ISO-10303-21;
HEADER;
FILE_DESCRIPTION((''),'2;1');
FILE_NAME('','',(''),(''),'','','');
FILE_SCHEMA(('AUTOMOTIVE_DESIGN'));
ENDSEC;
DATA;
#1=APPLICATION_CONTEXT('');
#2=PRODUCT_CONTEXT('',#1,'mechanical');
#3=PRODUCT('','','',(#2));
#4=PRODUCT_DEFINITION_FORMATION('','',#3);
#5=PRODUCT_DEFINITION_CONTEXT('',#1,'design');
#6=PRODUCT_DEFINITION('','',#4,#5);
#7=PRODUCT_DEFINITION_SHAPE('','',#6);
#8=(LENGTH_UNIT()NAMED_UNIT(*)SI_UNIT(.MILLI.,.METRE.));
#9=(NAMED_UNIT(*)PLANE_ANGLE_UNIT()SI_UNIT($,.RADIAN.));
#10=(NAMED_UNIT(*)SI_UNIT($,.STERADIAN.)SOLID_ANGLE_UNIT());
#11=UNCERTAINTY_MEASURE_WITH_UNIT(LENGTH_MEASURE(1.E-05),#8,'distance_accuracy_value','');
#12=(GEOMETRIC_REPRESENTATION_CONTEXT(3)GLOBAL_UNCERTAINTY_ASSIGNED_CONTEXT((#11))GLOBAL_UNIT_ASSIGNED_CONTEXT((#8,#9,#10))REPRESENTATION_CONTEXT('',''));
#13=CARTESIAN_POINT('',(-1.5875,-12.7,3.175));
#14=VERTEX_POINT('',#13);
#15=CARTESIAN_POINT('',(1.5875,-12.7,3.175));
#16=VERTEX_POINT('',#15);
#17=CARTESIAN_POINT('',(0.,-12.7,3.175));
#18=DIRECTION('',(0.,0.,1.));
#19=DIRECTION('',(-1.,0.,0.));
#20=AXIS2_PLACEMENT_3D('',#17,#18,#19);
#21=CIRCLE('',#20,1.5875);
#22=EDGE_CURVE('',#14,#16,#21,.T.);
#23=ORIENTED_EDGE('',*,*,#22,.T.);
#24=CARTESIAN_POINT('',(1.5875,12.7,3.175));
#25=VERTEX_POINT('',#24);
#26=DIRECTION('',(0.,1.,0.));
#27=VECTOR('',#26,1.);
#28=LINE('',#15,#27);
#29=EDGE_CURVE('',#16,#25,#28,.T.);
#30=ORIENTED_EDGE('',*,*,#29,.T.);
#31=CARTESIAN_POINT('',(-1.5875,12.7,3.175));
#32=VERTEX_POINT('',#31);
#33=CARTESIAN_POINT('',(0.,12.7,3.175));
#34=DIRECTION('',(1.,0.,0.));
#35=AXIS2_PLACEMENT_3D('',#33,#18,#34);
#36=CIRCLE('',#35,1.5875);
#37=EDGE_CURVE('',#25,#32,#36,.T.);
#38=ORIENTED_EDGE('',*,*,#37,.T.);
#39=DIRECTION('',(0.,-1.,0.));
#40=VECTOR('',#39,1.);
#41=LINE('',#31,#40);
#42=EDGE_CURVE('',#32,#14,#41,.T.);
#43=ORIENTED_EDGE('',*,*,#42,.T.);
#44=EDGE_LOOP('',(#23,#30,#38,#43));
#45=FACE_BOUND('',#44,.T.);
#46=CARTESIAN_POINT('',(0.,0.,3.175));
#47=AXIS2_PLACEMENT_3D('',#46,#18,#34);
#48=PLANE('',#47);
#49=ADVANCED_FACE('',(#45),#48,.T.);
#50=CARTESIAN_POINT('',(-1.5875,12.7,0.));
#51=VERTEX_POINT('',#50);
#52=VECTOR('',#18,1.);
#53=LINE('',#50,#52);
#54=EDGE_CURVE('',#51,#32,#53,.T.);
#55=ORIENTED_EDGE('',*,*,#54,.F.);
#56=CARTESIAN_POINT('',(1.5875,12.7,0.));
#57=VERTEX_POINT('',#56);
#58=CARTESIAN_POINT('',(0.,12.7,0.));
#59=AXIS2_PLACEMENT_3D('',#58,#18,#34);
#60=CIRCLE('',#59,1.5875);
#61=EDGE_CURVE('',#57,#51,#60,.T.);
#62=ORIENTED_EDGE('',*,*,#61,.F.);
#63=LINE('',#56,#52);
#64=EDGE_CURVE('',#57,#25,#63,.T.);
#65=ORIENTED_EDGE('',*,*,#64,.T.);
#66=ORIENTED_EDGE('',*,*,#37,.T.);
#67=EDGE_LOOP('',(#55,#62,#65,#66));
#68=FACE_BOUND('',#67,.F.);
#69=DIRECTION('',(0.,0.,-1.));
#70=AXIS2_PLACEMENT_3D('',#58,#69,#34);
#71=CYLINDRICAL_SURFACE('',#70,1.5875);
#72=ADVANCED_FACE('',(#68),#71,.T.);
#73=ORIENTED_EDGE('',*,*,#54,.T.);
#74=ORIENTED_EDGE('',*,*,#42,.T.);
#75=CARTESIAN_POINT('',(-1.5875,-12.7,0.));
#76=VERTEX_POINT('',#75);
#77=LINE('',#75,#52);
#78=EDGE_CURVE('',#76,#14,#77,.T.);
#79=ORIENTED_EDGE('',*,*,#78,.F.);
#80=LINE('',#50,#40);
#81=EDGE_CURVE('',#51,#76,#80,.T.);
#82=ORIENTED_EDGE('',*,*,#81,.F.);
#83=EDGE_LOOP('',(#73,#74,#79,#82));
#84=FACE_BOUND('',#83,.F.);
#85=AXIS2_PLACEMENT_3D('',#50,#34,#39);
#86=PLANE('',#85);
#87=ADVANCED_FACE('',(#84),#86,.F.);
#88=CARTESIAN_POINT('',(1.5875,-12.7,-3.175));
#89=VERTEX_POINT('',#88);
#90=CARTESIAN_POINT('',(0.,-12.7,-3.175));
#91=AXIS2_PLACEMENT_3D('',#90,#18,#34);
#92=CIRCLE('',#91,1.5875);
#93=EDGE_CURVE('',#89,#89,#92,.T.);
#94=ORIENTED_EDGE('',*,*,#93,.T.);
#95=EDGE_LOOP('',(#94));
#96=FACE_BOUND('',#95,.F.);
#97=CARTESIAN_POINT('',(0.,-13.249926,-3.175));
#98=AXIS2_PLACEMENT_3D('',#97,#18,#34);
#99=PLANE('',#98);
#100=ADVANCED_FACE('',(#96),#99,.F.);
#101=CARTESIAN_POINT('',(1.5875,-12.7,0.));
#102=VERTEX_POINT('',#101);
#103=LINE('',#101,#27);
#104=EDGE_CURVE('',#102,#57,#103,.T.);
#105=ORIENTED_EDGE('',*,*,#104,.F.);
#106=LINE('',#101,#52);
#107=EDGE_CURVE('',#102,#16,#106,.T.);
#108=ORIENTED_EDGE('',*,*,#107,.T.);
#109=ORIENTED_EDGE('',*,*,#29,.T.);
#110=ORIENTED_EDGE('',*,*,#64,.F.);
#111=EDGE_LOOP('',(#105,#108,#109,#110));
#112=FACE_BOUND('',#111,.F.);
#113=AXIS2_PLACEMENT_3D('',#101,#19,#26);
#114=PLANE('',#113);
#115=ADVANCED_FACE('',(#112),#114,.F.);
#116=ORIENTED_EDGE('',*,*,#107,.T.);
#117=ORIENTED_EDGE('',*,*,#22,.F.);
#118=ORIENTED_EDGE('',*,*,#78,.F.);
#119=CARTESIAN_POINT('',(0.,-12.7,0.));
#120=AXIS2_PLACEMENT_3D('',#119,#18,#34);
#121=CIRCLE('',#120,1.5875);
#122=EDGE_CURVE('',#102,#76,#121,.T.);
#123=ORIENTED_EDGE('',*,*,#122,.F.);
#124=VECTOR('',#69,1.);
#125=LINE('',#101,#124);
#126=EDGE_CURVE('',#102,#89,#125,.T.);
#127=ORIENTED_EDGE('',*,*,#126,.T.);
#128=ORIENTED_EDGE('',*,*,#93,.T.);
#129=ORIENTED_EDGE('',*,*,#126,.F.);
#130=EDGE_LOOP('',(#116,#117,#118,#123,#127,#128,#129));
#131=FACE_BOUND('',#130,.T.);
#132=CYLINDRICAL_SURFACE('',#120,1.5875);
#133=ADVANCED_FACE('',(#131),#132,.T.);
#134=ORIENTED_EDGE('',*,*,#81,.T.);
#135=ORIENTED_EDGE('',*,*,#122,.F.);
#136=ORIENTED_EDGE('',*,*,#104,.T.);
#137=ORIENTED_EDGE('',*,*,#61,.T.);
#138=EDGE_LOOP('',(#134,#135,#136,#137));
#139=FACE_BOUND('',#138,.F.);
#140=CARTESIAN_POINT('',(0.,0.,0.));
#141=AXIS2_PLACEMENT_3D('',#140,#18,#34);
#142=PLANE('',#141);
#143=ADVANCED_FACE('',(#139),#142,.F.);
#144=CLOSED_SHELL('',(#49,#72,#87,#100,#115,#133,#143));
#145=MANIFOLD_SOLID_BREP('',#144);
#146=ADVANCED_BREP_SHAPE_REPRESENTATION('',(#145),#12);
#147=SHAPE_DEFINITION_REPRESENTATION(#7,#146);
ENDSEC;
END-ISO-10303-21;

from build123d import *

# Parameters (mm, degrees)
F1_DEPTH = 3.175
F2_DEPTH = 3.175


with BuildPart() as f1:
    # F0 (on Top) → F1 (new body)
    with BuildSketch(Plane.XY):
        with BuildLine():
            ThreePointArc((1.5875, 12.7), (0, 11.1125), (-1.5875, 12.7))
            Line((-1.5875, 12.7), (-1.5875, -12.7))
            ThreePointArc((-1.5875, -12.7), (0, -11.1125), (1.5875, -12.7))
            Line((1.5875, -12.7), (1.5875, 12.7))
        make_face()
        with BuildLine():
            ThreePointArc((1.5875, -12.7), (0, -11.1125), (-1.5875, -12.7))
            Line((-1.5875, -12.7), (1.5875, -12.7))
        make_face()
        with BuildLine():
            Line((1.5875, -12.7), (-1.5875, -12.7))
            ThreePointArc((-1.5875, -12.7), (0, -14.2875), (1.5875, -12.7))
        make_face()
        with BuildLine():
            ThreePointArc((1.5875, 12.7), (0, 14.2875), (-1.5875, 12.7))
            Line((-1.5875, 12.7), (1.5875, 12.7))
        make_face()
        with BuildLine():
            Line((1.5875, 12.7), (-1.5875, 12.7))
            ThreePointArc((-1.5875, 12.7), (0, 11.1125), (1.5875, 12.7))
        make_face()
    extrude(amount=F1_DEPTH)

    # F0 (on Top) → F2 (join)
    with BuildSketch(Plane.XY):
        with BuildLine():
            Line((1.5875, -12.7), (-1.5875, -12.7))
            ThreePointArc((-1.5875, -12.7), (0, -14.2875), (1.5875, -12.7))
        make_face()
        with BuildLine():
            ThreePointArc((1.5875, -12.7), (0, -11.1125), (-1.5875, -12.7))
            Line((-1.5875, -12.7), (1.5875, -12.7))
        make_face()
    extrude(amount=-F2_DEPTH)


solid = f1.part
